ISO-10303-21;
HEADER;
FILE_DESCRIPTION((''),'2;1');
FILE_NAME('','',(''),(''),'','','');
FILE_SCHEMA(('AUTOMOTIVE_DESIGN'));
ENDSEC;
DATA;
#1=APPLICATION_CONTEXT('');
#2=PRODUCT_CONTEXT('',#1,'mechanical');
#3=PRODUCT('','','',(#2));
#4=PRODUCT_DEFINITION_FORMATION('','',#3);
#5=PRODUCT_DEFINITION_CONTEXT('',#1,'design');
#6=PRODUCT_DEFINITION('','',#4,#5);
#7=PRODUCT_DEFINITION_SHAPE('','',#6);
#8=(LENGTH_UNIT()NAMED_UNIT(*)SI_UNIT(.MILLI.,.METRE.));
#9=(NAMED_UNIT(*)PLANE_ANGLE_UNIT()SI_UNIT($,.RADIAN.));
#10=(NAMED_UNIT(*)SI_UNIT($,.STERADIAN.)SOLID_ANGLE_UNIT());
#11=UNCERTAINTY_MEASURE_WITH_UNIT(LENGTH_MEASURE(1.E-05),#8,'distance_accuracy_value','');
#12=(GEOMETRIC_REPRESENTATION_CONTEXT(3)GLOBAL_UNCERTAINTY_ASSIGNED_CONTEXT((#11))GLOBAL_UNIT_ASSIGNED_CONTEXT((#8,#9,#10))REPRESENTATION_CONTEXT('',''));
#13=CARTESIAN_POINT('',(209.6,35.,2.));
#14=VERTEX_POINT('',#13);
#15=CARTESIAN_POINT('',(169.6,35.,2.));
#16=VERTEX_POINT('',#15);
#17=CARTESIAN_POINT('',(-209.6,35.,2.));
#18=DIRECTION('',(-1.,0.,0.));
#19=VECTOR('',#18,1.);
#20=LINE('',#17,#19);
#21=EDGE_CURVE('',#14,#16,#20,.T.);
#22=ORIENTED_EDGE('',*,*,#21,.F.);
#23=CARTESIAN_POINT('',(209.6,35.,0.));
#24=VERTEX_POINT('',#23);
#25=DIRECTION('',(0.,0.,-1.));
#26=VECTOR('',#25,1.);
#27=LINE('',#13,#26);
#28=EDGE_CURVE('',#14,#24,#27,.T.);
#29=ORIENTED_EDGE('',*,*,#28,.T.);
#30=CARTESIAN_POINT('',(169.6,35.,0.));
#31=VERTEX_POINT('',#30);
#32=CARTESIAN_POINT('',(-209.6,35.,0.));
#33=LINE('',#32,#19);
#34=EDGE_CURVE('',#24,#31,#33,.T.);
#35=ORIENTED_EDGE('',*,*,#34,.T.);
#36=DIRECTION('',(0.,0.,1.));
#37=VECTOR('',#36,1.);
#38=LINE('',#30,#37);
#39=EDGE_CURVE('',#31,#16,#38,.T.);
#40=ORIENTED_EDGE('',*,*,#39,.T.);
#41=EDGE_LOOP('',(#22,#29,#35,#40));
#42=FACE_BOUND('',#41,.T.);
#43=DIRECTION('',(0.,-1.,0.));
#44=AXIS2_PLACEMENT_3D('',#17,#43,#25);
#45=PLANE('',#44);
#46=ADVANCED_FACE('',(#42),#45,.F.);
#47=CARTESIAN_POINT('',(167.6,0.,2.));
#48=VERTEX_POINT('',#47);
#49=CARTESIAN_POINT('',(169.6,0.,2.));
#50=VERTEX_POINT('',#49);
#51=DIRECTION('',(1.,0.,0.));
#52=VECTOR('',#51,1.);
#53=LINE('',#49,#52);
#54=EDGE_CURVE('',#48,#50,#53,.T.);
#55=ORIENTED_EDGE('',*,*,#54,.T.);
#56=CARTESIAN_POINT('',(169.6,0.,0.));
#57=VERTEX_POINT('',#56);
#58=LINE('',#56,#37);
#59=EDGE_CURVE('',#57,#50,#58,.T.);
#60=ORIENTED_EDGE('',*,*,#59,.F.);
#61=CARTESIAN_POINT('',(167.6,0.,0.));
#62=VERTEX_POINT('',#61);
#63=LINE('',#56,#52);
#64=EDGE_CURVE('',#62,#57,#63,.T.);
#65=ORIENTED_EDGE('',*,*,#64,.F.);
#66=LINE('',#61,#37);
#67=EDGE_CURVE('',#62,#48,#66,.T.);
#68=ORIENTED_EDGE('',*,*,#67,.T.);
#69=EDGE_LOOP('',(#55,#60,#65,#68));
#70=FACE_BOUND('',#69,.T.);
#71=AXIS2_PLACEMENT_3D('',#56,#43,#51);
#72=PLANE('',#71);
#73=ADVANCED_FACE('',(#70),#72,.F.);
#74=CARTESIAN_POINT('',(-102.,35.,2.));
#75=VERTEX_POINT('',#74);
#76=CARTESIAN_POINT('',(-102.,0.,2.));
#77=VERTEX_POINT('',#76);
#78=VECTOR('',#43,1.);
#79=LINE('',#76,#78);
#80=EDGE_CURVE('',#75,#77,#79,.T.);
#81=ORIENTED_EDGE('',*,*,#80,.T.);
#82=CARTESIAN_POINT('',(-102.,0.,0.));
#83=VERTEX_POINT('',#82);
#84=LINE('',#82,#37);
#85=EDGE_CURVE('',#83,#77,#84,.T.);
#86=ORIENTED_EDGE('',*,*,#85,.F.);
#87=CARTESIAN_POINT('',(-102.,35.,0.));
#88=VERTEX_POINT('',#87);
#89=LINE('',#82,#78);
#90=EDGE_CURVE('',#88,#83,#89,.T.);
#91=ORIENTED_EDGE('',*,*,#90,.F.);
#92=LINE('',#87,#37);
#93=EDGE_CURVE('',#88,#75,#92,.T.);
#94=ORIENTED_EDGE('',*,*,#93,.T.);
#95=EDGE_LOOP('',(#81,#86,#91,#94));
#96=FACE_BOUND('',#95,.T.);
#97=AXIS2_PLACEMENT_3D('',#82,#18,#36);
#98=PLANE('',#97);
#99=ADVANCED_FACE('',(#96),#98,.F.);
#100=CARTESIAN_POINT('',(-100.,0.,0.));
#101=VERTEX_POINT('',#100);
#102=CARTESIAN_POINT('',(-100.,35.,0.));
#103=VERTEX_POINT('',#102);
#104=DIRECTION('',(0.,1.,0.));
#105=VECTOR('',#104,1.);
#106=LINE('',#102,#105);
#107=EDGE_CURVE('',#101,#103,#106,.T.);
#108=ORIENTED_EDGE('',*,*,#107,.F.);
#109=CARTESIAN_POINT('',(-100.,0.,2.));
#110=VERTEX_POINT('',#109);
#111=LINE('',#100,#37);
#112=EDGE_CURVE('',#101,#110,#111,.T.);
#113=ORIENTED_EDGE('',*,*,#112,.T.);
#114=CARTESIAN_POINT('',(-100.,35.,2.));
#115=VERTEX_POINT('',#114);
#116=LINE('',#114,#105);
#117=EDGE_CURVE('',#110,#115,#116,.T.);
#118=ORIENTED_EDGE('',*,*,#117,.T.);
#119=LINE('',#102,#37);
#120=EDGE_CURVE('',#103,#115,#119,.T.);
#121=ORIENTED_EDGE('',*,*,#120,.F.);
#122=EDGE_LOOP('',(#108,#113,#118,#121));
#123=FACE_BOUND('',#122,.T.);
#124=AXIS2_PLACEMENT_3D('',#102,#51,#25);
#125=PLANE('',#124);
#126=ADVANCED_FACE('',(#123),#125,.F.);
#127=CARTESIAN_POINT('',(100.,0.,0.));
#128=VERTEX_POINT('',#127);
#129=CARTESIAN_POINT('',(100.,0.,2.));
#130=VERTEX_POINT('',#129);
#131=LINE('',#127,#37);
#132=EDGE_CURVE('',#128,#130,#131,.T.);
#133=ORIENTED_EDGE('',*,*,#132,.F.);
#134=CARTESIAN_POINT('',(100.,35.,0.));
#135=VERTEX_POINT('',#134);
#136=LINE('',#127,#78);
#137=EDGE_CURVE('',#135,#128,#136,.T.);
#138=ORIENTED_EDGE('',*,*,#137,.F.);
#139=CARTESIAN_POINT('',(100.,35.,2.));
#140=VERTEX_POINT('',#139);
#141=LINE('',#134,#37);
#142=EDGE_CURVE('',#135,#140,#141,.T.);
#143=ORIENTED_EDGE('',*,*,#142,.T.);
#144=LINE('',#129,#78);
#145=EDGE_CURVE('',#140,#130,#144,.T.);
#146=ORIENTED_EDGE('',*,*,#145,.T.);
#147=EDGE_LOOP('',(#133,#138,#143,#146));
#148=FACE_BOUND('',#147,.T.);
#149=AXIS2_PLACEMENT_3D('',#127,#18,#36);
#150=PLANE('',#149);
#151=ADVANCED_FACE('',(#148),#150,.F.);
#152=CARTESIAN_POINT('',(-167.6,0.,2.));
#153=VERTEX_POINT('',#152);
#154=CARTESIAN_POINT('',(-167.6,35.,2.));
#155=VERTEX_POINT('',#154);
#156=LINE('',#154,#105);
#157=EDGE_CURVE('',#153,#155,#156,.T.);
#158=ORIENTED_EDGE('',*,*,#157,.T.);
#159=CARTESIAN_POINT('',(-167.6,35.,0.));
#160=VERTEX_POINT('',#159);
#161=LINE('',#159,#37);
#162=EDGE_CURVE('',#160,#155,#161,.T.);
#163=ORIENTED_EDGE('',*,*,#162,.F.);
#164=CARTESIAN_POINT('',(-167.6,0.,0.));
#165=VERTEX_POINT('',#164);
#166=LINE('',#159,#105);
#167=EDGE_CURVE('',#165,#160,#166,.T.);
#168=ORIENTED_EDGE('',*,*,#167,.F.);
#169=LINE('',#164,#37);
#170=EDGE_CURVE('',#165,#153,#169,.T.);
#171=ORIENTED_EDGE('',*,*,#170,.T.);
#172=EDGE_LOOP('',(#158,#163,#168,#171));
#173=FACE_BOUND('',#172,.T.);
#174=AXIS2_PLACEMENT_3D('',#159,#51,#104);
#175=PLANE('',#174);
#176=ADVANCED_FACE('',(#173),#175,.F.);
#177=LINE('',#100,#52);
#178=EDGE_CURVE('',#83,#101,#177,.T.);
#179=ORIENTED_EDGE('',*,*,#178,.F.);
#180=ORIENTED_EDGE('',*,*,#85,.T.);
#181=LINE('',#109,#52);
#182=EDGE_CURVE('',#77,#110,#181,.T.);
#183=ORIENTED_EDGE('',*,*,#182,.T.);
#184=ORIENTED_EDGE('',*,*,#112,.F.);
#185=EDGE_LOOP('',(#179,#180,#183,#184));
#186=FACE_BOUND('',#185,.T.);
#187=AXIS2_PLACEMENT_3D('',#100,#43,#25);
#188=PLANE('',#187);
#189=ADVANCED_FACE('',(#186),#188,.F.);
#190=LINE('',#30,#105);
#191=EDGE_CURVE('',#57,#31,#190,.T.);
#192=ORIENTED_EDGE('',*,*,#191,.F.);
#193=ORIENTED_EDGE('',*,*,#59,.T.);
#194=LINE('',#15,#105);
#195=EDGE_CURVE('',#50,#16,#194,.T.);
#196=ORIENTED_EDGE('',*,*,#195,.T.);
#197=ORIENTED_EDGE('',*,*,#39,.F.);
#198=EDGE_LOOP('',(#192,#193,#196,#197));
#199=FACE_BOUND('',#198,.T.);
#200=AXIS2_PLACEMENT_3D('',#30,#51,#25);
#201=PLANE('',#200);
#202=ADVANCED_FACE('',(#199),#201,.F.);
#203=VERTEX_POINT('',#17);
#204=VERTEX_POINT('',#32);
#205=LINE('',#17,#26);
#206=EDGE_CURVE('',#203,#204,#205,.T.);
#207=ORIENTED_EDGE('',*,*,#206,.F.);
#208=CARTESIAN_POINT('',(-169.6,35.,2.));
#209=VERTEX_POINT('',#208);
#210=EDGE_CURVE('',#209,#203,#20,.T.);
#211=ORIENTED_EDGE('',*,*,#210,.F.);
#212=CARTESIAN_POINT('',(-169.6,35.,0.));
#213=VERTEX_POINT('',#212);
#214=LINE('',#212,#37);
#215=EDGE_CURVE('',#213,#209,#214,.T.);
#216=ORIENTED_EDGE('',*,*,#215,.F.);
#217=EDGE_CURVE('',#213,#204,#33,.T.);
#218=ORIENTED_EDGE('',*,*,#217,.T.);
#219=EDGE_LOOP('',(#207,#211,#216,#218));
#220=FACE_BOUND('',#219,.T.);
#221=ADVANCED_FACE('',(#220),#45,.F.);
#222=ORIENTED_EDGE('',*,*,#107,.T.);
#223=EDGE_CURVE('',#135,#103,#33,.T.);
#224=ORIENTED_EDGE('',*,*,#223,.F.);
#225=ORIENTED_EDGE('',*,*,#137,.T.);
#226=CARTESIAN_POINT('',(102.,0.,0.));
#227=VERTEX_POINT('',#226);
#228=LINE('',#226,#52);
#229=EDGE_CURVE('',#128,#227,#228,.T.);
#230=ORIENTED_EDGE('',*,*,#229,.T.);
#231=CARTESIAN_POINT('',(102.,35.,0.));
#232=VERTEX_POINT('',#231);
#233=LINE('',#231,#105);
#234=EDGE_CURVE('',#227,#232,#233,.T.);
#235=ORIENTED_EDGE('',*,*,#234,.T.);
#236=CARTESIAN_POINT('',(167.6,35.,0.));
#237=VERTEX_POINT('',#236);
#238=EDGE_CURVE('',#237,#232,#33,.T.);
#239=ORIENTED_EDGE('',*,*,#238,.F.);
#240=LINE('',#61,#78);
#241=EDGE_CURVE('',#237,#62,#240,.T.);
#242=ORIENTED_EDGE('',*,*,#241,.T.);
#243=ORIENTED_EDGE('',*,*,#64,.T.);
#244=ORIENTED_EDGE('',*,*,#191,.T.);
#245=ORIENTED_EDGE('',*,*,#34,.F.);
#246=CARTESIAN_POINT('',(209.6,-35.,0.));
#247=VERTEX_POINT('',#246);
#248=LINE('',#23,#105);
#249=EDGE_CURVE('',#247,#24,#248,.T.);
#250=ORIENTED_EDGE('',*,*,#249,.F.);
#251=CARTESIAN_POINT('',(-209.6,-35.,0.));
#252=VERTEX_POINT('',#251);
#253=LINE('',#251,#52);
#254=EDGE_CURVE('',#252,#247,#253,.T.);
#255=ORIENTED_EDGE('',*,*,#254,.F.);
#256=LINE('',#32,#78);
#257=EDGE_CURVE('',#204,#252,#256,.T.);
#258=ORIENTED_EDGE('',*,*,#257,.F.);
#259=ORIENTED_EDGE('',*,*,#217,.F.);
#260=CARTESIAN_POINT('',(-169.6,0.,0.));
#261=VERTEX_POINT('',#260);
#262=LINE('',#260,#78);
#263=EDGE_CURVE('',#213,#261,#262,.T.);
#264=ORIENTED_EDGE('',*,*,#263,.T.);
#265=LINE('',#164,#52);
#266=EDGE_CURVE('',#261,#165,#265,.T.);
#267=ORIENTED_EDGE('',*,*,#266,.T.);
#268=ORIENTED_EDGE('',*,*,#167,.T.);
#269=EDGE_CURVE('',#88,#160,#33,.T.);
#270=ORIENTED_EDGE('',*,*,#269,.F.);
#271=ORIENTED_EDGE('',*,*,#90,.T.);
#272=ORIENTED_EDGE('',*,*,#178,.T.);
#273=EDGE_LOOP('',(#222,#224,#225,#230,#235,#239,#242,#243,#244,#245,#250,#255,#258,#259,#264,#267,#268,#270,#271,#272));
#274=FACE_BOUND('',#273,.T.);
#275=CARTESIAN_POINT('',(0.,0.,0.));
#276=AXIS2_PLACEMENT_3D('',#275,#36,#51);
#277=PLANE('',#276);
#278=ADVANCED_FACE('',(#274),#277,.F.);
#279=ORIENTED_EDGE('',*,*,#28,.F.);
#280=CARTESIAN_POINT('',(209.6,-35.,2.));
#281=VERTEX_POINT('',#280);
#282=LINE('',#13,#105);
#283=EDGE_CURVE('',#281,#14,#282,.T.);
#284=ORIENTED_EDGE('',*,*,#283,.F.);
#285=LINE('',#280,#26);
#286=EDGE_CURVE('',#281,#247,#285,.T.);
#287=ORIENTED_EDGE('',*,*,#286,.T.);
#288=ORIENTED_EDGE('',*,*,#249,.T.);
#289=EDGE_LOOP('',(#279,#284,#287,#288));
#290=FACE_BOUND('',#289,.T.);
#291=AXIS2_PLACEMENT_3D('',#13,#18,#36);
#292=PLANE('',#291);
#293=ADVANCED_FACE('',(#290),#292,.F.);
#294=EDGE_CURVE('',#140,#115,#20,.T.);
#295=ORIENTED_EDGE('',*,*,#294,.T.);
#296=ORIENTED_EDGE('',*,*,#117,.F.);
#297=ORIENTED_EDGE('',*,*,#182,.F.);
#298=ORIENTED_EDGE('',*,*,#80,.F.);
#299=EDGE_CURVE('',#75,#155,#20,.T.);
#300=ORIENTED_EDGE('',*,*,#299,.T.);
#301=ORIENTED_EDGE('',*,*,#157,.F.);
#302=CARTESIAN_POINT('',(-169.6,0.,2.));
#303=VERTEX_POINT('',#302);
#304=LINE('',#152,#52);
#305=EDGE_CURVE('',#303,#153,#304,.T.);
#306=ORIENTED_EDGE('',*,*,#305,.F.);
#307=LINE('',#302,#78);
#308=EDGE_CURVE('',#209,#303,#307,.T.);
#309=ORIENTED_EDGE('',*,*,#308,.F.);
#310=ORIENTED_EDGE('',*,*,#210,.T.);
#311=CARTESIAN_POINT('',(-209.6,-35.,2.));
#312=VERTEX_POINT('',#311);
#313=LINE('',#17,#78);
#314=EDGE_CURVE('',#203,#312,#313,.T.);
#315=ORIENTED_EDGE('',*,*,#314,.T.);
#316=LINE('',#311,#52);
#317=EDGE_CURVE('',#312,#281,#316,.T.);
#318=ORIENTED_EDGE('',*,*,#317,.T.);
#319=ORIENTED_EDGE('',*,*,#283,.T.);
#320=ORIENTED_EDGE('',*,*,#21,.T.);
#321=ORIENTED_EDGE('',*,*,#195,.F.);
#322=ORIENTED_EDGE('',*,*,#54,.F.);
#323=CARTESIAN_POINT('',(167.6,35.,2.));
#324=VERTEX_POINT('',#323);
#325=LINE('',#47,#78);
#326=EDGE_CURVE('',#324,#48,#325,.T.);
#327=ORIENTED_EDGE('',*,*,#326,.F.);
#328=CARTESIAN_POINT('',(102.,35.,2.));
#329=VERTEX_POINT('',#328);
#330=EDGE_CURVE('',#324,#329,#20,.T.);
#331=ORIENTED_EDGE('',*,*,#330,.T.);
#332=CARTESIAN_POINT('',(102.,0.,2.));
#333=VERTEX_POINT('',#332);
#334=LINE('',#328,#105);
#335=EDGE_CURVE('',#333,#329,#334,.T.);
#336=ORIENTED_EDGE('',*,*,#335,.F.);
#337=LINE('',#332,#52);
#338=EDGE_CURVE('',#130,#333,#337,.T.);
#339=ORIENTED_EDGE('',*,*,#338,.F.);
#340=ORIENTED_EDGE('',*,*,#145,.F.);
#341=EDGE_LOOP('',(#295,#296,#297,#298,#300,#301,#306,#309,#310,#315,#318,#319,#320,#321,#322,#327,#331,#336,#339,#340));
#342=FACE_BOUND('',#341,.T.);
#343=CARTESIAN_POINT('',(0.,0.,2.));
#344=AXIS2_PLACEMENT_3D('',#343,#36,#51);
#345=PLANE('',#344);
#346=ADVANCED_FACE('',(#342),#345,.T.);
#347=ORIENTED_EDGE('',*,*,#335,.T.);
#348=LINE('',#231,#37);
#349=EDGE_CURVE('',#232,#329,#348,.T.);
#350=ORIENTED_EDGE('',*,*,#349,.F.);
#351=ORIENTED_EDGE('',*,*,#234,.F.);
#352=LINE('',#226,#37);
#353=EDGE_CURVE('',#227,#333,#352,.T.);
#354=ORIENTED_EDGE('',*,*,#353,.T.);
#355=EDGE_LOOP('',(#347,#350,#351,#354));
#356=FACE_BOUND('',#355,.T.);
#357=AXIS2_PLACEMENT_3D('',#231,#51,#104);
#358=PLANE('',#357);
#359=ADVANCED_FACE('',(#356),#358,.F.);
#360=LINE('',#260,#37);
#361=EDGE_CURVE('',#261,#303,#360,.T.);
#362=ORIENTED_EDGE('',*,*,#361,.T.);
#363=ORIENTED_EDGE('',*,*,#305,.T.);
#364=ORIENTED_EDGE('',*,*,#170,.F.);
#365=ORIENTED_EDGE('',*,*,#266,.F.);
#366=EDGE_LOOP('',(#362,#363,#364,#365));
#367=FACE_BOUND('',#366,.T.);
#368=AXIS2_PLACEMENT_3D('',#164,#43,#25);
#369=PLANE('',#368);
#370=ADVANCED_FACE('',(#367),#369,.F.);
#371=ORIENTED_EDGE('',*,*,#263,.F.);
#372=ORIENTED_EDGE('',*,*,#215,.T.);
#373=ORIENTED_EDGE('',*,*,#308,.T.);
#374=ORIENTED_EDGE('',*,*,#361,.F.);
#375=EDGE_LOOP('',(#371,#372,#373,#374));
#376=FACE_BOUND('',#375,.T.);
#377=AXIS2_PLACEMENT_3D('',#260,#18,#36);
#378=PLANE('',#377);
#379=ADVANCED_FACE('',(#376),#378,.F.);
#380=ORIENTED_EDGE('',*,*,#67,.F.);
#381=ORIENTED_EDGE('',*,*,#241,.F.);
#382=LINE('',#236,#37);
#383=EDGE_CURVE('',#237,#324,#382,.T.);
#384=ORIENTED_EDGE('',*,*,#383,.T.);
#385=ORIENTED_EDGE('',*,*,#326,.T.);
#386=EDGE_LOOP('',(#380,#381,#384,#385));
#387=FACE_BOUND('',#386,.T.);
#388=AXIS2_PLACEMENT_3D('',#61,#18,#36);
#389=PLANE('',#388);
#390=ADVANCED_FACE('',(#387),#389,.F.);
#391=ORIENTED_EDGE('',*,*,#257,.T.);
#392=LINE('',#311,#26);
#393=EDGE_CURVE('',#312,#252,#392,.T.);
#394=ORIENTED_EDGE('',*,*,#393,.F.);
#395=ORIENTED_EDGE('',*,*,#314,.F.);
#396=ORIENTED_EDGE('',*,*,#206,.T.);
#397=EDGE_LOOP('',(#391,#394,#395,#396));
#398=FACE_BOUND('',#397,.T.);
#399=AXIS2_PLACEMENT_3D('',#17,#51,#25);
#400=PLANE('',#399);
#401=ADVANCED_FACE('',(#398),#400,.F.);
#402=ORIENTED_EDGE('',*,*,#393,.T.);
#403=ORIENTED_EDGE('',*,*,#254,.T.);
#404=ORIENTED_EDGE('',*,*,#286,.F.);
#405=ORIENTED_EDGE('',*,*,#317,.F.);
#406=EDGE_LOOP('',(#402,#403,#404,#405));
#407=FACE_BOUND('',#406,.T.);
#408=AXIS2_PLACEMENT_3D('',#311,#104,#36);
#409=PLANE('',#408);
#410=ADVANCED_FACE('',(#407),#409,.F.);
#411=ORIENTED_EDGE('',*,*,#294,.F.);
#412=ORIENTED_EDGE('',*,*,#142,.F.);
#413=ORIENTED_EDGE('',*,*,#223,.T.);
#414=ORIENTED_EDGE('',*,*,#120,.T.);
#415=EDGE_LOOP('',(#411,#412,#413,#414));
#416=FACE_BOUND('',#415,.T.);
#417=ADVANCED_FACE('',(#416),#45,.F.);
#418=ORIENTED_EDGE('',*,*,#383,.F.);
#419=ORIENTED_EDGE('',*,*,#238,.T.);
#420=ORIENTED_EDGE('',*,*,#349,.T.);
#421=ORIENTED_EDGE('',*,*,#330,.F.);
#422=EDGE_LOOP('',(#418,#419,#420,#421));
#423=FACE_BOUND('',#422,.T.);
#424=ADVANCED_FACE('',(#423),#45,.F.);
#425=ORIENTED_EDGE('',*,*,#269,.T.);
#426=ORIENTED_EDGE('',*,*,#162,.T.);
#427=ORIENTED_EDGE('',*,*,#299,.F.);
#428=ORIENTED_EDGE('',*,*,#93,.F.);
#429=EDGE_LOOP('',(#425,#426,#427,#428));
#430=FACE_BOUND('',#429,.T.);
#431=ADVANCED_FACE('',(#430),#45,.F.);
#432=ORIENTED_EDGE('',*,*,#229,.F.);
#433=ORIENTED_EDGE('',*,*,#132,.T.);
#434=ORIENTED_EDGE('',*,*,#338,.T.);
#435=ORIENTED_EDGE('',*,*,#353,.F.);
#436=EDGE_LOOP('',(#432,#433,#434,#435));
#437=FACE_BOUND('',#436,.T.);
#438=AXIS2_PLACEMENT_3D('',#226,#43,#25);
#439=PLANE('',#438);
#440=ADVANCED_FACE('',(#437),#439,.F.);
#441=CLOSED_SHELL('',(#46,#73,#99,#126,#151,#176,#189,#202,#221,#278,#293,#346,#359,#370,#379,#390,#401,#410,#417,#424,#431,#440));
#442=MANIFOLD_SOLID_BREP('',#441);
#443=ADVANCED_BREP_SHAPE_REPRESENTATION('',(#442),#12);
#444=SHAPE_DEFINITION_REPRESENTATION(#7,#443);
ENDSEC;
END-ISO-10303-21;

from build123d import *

# Parameters (mm, degrees)
SKETCH_1_W          = 419.2
SKETCH_1_H          = 70
EXTRUDE_1_DEPTH     = 2
SKETCH_2_W          = 2
SKETCH_2_H          = 35
CUT_EXTRUDE_1_DEPTH = 2


with BuildPart() as part:
    # 草图1 → 凸台-拉伸1 (new body)
    with BuildSketch(Plane.XY):
        Rectangle(SKETCH_1_W, SKETCH_1_H)
    extrude(amount=EXTRUDE_1_DEPTH)

    # 草图2 → 切除-拉伸1 (cut)
    with BuildSketch(Plane.XY.offset(2)):
        with Locations((168.6, 17.5)):
            Rectangle(SKETCH_2_W, SKETCH_2_H)
        with Locations((101, 17.5)):
            Rectangle(SKETCH_2_W, SKETCH_2_H)
        with Locations((-101, 17.5)):
            Rectangle(SKETCH_2_W, SKETCH_2_H)
        with Locations((-168.6, 17.5)):
            Rectangle(SKETCH_2_W, SKETCH_2_H)
    extrude(amount=-CUT_EXTRUDE_1_DEPTH, mode=Mode.SUBTRACT)


solid = part.part
